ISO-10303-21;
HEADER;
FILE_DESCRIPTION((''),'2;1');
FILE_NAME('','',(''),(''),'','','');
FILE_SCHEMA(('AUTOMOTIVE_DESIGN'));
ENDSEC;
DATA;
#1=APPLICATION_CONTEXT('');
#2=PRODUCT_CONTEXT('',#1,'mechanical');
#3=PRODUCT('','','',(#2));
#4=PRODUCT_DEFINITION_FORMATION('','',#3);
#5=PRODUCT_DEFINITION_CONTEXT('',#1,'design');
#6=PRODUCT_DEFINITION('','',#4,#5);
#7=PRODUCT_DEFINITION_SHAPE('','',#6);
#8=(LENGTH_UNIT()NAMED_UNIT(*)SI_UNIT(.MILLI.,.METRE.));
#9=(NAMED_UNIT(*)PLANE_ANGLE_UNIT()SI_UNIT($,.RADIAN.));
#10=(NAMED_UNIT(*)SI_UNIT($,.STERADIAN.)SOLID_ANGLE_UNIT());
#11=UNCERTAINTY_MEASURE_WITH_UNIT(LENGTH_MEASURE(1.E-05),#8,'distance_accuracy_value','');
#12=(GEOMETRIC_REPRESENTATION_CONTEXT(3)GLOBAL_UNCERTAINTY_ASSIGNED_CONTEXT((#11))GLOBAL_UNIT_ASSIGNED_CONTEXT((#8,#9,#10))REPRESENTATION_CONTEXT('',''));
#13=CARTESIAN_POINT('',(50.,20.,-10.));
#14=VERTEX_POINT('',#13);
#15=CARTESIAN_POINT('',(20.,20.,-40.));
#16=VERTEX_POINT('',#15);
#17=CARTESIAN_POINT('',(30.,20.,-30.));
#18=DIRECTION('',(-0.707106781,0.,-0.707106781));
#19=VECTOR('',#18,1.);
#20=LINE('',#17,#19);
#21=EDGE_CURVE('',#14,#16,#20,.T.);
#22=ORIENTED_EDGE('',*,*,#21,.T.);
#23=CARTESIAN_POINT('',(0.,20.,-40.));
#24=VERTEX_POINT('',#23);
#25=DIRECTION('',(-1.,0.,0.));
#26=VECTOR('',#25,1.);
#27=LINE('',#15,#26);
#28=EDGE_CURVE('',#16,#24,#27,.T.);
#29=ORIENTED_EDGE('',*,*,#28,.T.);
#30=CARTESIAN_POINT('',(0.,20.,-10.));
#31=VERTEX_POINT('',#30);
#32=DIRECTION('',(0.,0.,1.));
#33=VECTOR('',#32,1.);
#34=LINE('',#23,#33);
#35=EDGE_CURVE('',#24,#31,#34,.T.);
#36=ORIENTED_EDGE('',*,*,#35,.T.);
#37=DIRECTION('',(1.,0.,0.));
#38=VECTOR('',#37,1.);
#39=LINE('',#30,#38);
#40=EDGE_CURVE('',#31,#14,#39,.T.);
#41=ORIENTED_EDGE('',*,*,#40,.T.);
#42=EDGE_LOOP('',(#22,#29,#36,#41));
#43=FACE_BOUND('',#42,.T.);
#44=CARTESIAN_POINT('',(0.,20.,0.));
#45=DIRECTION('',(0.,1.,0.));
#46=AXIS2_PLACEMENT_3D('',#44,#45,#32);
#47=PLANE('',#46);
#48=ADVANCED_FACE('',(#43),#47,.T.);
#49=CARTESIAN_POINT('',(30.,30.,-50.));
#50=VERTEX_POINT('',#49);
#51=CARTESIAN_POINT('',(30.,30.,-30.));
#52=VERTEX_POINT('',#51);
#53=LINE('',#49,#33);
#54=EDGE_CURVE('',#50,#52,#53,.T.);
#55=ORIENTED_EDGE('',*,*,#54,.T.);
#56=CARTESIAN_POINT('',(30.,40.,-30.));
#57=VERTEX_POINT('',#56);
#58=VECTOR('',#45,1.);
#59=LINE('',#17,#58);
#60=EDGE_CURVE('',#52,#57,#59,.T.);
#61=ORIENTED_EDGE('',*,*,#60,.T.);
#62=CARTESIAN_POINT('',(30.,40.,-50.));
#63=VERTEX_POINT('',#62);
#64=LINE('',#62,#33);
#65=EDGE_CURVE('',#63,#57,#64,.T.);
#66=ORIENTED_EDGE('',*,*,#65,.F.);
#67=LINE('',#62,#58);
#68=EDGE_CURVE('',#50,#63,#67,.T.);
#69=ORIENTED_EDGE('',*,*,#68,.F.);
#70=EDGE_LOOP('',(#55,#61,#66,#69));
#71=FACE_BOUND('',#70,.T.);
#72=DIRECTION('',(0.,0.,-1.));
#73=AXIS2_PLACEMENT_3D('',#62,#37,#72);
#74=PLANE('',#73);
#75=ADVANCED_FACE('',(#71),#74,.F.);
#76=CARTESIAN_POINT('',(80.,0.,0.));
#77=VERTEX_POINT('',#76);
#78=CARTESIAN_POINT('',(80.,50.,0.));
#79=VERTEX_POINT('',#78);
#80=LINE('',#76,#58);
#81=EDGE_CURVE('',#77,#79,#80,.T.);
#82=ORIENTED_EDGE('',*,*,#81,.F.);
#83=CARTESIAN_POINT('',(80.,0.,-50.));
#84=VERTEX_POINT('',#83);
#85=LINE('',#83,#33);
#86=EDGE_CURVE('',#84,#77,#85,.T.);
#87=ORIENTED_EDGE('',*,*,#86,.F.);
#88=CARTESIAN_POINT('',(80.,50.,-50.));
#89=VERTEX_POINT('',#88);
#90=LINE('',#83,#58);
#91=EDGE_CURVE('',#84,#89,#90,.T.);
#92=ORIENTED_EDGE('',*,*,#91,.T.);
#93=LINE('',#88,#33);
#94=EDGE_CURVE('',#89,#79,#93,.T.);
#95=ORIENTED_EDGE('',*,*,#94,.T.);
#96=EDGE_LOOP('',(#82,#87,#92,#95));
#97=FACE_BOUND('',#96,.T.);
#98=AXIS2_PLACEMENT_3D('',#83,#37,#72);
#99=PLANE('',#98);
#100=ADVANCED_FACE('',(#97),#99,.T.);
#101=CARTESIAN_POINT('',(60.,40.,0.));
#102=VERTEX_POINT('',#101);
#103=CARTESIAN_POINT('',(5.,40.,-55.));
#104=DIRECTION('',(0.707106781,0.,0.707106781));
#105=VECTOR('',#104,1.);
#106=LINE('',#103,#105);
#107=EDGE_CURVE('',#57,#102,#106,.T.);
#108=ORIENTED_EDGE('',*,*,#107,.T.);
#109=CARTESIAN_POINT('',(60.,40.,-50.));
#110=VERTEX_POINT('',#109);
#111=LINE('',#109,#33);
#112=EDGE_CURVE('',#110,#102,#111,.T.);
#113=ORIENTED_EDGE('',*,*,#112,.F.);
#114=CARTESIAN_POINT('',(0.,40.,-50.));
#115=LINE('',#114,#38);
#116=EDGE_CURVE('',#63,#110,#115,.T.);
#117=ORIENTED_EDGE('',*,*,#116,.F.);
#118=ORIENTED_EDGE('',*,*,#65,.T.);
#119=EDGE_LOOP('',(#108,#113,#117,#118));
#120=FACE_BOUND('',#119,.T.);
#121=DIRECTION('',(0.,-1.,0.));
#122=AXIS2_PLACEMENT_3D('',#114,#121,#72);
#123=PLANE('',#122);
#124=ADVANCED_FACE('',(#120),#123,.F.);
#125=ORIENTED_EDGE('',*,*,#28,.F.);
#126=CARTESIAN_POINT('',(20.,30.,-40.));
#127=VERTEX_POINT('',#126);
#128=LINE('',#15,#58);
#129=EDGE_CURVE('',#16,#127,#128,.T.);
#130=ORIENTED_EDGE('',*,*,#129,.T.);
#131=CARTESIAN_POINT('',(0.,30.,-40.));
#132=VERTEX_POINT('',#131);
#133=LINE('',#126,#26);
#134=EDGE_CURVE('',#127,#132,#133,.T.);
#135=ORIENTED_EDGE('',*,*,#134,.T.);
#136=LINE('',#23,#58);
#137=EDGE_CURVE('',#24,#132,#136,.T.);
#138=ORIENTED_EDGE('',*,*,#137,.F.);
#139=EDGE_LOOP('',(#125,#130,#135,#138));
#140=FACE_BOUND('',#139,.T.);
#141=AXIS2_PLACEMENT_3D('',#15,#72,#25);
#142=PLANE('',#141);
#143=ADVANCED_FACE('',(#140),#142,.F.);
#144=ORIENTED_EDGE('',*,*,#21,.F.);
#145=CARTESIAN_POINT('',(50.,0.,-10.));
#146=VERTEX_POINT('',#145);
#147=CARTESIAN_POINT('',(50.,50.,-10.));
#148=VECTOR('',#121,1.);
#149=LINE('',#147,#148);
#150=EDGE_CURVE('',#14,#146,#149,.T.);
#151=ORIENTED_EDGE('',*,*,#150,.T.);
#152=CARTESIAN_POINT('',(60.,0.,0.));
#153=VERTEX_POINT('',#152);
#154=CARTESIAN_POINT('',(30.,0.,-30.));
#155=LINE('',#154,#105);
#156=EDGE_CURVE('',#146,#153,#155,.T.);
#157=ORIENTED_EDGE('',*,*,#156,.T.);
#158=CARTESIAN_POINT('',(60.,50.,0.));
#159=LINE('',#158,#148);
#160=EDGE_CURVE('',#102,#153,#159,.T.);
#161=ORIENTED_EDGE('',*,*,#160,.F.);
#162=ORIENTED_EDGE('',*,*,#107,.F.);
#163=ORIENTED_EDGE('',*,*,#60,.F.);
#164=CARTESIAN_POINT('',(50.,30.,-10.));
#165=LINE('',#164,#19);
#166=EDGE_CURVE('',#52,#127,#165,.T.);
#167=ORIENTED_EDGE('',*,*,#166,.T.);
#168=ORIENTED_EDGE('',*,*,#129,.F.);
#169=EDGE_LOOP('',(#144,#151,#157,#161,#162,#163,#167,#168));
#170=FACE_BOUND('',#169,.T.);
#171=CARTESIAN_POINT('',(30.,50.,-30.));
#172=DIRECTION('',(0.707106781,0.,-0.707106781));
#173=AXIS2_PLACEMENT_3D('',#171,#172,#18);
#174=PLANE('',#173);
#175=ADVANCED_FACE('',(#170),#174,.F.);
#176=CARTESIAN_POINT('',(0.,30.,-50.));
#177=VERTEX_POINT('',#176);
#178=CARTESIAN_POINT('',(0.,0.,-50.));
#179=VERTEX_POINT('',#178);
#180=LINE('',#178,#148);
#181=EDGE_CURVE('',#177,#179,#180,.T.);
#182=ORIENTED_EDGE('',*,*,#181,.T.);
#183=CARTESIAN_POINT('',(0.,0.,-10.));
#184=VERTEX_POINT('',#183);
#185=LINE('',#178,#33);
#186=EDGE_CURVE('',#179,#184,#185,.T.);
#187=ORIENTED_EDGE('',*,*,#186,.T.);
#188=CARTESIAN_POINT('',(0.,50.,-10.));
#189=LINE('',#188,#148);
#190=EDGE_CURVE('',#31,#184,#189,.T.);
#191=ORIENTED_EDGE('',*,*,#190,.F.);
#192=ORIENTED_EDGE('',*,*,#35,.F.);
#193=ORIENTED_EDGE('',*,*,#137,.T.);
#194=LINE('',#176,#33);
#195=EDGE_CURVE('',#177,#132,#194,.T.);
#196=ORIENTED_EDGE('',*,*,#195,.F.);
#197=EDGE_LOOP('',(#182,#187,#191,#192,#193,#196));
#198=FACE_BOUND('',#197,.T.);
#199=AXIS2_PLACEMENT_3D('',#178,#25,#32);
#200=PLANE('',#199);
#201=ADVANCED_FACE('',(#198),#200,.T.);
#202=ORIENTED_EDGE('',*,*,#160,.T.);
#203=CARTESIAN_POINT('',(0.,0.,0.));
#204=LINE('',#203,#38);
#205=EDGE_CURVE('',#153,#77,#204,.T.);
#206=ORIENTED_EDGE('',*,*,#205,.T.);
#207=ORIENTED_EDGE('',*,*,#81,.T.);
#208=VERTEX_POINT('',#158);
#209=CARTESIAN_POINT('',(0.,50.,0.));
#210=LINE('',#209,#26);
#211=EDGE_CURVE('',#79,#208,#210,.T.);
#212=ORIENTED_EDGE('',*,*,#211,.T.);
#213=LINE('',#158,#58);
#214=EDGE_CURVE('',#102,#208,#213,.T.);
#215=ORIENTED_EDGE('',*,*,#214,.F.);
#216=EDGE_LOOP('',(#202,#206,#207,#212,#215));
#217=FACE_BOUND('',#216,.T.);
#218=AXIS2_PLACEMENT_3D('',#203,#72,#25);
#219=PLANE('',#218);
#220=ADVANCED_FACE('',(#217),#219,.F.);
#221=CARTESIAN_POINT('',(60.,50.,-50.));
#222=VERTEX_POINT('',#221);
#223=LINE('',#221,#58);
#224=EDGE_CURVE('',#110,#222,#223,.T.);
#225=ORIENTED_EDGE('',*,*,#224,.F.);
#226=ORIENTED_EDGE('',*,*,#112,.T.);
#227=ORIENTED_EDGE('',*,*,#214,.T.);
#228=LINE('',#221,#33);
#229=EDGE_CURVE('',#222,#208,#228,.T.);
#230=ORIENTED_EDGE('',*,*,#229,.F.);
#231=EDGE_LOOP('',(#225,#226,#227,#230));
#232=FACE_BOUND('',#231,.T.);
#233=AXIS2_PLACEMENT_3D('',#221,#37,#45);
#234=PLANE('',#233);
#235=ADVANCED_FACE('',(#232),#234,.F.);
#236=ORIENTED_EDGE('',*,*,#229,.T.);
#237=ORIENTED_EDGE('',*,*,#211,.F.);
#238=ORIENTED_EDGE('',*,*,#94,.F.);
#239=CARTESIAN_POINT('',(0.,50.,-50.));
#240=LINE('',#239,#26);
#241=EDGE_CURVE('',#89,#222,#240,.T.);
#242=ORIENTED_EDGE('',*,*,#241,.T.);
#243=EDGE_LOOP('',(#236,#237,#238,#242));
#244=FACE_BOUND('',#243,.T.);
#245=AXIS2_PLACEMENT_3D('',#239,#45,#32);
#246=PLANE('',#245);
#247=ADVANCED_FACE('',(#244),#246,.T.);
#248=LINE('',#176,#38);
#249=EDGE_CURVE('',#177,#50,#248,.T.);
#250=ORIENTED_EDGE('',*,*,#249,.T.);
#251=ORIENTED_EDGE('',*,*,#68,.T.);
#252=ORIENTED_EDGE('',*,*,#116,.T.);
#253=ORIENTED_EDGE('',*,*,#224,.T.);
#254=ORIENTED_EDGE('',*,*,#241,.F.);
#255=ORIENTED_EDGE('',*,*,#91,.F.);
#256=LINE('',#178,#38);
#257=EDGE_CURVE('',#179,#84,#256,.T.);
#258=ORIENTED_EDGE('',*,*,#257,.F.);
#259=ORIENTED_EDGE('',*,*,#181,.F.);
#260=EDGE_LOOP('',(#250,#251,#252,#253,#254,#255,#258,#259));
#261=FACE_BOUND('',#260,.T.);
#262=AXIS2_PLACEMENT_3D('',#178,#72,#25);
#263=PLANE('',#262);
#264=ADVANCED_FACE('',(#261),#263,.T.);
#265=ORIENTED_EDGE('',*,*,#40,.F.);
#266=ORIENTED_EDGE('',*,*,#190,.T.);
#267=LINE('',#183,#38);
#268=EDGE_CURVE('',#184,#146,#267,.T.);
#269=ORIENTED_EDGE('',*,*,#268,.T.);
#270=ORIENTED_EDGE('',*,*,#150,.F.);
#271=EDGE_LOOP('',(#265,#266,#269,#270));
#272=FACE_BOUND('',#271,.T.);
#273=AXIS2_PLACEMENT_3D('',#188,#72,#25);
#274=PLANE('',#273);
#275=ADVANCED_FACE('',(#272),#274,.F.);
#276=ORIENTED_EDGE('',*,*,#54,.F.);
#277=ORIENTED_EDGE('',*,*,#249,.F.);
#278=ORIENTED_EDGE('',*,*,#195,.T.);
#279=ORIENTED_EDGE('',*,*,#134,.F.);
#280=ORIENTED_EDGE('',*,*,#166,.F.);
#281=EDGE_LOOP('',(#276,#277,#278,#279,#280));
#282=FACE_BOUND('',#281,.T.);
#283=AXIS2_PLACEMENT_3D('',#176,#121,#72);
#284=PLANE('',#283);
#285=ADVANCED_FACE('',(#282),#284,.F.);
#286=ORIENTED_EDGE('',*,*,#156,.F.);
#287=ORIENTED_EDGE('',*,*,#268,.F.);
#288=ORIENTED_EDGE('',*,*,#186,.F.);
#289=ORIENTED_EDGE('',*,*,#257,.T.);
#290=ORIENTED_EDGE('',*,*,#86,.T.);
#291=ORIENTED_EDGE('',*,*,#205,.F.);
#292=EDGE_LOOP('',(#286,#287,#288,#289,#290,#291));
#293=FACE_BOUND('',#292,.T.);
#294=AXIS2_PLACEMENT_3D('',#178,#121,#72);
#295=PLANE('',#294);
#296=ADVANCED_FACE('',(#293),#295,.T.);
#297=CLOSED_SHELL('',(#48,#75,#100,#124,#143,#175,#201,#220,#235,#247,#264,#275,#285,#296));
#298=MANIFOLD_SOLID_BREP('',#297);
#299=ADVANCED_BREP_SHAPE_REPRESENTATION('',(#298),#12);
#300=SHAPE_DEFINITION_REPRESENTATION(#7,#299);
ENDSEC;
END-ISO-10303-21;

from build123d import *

# Parameters (mm, degrees)
SKETCH1_W           = 80
SKETCH1_H           = 50
BOSS_EXTRUDE2_DEPTH = 50
SKETCH2_W           = 60
SKETCH2_H           = 10
CUT_EXTRUDE1_DEPTH  = 50
SKETCH3_W           = 30
SKETCH3_H           = 10
CUT_EXTRUDE2_DEPTH  = 50
CUT_EXTRUDE3_DEPTH  = 50
CUT_EXTRUDE4_DEPTH  = 20
CUT_EXTRUDE5_DEPTH  = 10


with BuildPart() as part:
    # Sketch1 → Boss-Extrude2 (new body)
    with BuildSketch(Plane.XY):
        with Locations((40, 25)):
            Rectangle(SKETCH1_W, SKETCH1_H)
    extrude(amount=-BOSS_EXTRUDE2_DEPTH)

    # Sketch2 → Cut-Extrude1 (cut)
    with BuildSketch(Plane.XY):
        with Locations((30, 45)):
            Rectangle(SKETCH2_W, SKETCH2_H)
    extrude(amount=-CUT_EXTRUDE1_DEPTH, mode=Mode.SUBTRACT)

    # Sketch3 → Cut-Extrude2 (cut)
    with BuildSketch(Plane.XY):
        with Locations((15, 35)):
            Rectangle(SKETCH3_W, SKETCH3_H)
    extrude(amount=-CUT_EXTRUDE2_DEPTH, mode=Mode.SUBTRACT)

    # Sketch4 → Cut-Extrude3 (cut)
    with BuildSketch(Plane.XZ):
        Polygon((60, 0), (0, 0), (0, -10), (50, -10), align=None)
    extrude(amount=-CUT_EXTRUDE3_DEPTH, mode=Mode.SUBTRACT)

    # Sketch5 → Cut-Extrude4 (cut)
    with BuildSketch(Plane(origin=(0, 40, 0), x_dir=(1, 0, 0), z_dir=(0, 1, 0))):
        Polygon((50, 10), (30, 30), (30, 10), align=None)
    extrude(amount=-CUT_EXTRUDE4_DEPTH, mode=Mode.SUBTRACT)

    # Sketch6 → Cut-Extrude5 (cut)
    with BuildSketch(Plane(origin=(0, 30, 0), x_dir=(1, 0, 0), z_dir=(0, 1, 0))):
        Polygon((0, 10), (50, 10), (20, 40), (0, 40), align=None)
    extrude(amount=-CUT_EXTRUDE5_DEPTH, mode=Mode.SUBTRACT)


solid = part.part
